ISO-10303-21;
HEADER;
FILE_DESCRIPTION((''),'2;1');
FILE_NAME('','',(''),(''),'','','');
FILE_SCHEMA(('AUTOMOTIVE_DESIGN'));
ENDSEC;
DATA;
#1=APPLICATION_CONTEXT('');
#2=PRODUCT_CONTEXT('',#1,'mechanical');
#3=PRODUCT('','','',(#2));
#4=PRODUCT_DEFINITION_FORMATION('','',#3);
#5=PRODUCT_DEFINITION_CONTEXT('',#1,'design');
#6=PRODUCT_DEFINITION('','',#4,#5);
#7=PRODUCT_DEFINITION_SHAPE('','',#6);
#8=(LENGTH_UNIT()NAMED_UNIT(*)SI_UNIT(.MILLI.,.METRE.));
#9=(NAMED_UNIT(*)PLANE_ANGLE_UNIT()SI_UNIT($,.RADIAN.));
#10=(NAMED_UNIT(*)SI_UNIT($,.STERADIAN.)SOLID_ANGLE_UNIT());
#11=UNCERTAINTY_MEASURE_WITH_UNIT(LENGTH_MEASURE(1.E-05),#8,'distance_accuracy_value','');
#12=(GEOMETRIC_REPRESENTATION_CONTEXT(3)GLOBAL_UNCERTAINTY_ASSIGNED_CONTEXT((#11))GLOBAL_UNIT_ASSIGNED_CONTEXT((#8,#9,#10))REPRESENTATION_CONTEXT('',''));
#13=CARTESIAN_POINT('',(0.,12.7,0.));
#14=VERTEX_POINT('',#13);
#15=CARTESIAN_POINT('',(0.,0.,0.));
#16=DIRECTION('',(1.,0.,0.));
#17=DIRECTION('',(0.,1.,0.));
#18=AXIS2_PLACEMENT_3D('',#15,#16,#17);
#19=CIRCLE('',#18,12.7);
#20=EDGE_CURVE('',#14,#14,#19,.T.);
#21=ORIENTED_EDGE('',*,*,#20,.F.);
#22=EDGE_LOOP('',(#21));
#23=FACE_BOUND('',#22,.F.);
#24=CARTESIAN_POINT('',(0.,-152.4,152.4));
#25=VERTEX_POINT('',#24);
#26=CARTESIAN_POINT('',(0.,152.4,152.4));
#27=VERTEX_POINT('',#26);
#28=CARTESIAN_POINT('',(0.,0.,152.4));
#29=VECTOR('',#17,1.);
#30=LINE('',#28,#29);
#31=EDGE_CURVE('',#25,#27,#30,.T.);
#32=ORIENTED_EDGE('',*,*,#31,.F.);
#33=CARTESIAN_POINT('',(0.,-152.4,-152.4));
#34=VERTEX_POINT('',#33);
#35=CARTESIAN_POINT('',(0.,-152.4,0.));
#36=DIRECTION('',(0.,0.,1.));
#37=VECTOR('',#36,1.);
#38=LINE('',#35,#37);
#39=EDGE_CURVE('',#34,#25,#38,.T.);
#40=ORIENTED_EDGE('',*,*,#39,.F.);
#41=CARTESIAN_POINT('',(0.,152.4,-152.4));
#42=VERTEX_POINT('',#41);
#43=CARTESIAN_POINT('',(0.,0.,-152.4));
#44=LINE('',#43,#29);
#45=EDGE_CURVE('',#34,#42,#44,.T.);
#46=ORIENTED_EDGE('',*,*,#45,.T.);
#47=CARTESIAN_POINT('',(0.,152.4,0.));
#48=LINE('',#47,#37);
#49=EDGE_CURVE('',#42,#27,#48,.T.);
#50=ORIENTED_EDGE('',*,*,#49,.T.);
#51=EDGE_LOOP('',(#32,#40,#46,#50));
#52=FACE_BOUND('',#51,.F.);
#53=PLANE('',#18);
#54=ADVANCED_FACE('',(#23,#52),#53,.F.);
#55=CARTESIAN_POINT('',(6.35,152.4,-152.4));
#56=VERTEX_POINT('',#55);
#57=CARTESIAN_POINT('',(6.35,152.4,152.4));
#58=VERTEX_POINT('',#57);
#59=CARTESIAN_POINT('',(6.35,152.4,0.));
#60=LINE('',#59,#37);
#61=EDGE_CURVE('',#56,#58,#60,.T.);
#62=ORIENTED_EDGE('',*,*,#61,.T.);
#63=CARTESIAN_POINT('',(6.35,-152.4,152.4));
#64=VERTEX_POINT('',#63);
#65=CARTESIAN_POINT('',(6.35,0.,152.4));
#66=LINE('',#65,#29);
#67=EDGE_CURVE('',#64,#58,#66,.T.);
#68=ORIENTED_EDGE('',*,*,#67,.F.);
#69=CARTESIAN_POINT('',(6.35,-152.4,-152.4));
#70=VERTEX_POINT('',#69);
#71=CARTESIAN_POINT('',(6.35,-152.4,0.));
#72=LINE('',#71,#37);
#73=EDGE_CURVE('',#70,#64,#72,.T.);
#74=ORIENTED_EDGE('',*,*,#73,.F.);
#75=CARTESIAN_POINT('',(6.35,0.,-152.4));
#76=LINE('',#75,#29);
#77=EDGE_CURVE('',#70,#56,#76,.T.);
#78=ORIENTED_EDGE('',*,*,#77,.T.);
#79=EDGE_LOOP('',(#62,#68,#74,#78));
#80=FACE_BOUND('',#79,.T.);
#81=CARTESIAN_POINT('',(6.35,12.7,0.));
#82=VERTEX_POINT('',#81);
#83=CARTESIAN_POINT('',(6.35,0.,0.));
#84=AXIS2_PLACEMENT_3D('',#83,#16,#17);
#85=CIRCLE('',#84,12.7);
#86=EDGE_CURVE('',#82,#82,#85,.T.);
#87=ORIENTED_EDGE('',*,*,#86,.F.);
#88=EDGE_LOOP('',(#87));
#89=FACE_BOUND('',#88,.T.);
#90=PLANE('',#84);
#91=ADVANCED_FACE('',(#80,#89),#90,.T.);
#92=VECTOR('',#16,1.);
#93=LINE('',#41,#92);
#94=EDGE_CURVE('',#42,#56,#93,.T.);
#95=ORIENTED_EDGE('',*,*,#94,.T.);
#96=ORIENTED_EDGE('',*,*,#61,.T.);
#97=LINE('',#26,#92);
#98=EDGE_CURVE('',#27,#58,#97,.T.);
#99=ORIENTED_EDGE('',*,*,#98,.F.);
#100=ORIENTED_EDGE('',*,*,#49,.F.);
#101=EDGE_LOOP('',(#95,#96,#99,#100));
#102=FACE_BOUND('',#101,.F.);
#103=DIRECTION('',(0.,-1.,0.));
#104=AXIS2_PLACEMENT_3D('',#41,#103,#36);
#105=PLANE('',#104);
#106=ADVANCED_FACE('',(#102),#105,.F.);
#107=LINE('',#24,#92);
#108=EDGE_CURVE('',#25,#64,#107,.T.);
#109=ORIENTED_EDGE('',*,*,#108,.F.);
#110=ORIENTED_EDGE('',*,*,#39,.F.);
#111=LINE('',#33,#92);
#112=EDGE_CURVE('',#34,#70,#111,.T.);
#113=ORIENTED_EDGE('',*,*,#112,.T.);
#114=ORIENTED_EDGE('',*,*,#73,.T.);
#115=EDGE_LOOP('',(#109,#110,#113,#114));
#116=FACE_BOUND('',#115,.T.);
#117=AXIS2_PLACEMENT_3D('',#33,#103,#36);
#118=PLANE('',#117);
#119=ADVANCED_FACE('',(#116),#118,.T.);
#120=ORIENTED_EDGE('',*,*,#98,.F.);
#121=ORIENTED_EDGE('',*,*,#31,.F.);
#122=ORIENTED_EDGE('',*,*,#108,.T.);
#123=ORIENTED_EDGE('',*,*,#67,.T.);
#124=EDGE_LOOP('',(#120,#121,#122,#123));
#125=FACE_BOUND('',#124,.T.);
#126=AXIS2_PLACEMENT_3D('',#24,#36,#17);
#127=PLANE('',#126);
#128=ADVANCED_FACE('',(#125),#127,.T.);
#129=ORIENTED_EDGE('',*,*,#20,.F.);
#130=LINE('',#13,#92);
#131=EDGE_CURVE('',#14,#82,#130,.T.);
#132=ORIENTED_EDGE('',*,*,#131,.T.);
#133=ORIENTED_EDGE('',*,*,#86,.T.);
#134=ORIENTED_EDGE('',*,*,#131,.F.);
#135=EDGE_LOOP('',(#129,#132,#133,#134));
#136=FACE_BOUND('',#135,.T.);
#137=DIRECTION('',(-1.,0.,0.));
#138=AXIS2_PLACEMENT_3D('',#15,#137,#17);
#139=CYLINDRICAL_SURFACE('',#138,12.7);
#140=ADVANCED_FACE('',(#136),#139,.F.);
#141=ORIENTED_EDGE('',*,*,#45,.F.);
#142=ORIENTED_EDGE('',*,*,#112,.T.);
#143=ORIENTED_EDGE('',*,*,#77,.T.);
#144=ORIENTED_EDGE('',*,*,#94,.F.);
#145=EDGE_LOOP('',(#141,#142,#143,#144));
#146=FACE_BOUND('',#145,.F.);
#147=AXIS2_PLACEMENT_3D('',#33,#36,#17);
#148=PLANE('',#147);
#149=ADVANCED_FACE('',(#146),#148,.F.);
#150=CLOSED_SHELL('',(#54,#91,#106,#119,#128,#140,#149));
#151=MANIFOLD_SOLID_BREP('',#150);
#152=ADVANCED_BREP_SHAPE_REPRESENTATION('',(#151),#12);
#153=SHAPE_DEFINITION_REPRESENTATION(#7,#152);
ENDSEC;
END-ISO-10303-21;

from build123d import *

# Parameters (mm, degrees)
F0_W     = 304.8
F0_H     = 304.8
F0_R     = 12.7
F1_DEPTH = 6.35


with BuildPart() as f1:
    # F0 (on Right) → F1 (new body)
    with BuildSketch(Plane.YZ):
        Rectangle(F0_W, F0_H)
        Circle(F0_R, mode=Mode.SUBTRACT)
    extrude(amount=F1_DEPTH)


solid = f1.part
